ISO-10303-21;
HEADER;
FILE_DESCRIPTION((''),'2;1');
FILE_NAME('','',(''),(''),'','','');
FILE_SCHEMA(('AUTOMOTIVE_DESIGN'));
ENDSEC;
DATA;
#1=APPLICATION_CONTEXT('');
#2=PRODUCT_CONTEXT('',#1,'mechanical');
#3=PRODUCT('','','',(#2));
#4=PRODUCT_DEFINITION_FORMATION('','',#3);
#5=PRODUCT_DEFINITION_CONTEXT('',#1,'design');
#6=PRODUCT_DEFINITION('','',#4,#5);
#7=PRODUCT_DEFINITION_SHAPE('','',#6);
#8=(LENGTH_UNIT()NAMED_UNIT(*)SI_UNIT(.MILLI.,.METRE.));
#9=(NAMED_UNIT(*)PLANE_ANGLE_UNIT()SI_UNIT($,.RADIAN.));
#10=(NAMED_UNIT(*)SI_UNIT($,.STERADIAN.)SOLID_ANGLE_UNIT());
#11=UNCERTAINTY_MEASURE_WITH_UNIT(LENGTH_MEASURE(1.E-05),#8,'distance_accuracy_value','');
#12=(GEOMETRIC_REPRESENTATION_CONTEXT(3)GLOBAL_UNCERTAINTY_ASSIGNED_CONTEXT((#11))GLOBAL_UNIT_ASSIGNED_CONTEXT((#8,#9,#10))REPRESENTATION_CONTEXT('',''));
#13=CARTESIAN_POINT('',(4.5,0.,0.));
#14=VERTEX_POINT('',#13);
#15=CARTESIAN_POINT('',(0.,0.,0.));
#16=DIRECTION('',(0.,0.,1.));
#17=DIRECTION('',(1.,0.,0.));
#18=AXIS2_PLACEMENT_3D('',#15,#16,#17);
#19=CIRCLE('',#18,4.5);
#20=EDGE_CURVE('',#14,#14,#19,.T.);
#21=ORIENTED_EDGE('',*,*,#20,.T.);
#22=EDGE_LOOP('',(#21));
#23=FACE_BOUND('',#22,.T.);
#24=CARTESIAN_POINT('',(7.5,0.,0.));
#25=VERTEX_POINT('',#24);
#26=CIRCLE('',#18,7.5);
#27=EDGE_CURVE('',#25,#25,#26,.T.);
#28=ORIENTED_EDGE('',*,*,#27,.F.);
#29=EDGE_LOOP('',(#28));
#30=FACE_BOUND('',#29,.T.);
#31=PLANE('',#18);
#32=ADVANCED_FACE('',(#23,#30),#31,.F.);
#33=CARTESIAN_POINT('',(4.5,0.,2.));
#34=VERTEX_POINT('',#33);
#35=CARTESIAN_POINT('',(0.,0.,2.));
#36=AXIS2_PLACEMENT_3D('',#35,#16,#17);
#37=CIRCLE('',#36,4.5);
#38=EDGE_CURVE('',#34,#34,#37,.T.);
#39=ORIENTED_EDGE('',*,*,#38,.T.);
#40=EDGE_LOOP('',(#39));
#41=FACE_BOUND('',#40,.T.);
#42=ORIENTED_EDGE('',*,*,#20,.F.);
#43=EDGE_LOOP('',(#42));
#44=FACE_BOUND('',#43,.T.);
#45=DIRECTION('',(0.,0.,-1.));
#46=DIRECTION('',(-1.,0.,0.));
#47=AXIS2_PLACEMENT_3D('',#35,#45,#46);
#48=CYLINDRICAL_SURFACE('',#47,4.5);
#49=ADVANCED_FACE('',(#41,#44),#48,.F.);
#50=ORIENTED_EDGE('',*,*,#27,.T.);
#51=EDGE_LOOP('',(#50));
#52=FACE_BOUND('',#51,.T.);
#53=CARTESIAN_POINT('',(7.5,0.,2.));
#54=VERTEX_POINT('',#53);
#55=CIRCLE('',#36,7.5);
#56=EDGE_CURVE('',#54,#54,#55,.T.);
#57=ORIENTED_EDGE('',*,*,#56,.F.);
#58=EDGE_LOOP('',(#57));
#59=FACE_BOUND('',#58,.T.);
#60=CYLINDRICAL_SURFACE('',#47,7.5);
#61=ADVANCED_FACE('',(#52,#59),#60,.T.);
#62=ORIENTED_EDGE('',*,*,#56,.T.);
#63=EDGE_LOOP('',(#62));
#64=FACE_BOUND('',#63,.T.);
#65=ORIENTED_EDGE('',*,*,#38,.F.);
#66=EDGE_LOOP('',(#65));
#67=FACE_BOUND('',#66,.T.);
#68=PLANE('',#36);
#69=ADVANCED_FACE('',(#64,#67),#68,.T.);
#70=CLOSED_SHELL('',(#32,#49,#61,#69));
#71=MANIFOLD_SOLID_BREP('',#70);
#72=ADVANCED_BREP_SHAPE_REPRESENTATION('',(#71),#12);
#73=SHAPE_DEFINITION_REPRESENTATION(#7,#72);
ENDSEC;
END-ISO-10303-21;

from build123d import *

# Parameters (mm, degrees)
SKETCH_1_R      = 7.5
SKETCH_1_R_2    = 4.5
EXTRUDE_1_DEPTH = 2


with BuildPart() as part:
    # 草圖1 → 填料-伸長1 (new body)
    with BuildSketch(Plane.XY):
        Circle(SKETCH_1_R)
        Circle(SKETCH_1_R_2, mode=Mode.SUBTRACT)
    extrude(amount=EXTRUDE_1_DEPTH)


solid = part.part
